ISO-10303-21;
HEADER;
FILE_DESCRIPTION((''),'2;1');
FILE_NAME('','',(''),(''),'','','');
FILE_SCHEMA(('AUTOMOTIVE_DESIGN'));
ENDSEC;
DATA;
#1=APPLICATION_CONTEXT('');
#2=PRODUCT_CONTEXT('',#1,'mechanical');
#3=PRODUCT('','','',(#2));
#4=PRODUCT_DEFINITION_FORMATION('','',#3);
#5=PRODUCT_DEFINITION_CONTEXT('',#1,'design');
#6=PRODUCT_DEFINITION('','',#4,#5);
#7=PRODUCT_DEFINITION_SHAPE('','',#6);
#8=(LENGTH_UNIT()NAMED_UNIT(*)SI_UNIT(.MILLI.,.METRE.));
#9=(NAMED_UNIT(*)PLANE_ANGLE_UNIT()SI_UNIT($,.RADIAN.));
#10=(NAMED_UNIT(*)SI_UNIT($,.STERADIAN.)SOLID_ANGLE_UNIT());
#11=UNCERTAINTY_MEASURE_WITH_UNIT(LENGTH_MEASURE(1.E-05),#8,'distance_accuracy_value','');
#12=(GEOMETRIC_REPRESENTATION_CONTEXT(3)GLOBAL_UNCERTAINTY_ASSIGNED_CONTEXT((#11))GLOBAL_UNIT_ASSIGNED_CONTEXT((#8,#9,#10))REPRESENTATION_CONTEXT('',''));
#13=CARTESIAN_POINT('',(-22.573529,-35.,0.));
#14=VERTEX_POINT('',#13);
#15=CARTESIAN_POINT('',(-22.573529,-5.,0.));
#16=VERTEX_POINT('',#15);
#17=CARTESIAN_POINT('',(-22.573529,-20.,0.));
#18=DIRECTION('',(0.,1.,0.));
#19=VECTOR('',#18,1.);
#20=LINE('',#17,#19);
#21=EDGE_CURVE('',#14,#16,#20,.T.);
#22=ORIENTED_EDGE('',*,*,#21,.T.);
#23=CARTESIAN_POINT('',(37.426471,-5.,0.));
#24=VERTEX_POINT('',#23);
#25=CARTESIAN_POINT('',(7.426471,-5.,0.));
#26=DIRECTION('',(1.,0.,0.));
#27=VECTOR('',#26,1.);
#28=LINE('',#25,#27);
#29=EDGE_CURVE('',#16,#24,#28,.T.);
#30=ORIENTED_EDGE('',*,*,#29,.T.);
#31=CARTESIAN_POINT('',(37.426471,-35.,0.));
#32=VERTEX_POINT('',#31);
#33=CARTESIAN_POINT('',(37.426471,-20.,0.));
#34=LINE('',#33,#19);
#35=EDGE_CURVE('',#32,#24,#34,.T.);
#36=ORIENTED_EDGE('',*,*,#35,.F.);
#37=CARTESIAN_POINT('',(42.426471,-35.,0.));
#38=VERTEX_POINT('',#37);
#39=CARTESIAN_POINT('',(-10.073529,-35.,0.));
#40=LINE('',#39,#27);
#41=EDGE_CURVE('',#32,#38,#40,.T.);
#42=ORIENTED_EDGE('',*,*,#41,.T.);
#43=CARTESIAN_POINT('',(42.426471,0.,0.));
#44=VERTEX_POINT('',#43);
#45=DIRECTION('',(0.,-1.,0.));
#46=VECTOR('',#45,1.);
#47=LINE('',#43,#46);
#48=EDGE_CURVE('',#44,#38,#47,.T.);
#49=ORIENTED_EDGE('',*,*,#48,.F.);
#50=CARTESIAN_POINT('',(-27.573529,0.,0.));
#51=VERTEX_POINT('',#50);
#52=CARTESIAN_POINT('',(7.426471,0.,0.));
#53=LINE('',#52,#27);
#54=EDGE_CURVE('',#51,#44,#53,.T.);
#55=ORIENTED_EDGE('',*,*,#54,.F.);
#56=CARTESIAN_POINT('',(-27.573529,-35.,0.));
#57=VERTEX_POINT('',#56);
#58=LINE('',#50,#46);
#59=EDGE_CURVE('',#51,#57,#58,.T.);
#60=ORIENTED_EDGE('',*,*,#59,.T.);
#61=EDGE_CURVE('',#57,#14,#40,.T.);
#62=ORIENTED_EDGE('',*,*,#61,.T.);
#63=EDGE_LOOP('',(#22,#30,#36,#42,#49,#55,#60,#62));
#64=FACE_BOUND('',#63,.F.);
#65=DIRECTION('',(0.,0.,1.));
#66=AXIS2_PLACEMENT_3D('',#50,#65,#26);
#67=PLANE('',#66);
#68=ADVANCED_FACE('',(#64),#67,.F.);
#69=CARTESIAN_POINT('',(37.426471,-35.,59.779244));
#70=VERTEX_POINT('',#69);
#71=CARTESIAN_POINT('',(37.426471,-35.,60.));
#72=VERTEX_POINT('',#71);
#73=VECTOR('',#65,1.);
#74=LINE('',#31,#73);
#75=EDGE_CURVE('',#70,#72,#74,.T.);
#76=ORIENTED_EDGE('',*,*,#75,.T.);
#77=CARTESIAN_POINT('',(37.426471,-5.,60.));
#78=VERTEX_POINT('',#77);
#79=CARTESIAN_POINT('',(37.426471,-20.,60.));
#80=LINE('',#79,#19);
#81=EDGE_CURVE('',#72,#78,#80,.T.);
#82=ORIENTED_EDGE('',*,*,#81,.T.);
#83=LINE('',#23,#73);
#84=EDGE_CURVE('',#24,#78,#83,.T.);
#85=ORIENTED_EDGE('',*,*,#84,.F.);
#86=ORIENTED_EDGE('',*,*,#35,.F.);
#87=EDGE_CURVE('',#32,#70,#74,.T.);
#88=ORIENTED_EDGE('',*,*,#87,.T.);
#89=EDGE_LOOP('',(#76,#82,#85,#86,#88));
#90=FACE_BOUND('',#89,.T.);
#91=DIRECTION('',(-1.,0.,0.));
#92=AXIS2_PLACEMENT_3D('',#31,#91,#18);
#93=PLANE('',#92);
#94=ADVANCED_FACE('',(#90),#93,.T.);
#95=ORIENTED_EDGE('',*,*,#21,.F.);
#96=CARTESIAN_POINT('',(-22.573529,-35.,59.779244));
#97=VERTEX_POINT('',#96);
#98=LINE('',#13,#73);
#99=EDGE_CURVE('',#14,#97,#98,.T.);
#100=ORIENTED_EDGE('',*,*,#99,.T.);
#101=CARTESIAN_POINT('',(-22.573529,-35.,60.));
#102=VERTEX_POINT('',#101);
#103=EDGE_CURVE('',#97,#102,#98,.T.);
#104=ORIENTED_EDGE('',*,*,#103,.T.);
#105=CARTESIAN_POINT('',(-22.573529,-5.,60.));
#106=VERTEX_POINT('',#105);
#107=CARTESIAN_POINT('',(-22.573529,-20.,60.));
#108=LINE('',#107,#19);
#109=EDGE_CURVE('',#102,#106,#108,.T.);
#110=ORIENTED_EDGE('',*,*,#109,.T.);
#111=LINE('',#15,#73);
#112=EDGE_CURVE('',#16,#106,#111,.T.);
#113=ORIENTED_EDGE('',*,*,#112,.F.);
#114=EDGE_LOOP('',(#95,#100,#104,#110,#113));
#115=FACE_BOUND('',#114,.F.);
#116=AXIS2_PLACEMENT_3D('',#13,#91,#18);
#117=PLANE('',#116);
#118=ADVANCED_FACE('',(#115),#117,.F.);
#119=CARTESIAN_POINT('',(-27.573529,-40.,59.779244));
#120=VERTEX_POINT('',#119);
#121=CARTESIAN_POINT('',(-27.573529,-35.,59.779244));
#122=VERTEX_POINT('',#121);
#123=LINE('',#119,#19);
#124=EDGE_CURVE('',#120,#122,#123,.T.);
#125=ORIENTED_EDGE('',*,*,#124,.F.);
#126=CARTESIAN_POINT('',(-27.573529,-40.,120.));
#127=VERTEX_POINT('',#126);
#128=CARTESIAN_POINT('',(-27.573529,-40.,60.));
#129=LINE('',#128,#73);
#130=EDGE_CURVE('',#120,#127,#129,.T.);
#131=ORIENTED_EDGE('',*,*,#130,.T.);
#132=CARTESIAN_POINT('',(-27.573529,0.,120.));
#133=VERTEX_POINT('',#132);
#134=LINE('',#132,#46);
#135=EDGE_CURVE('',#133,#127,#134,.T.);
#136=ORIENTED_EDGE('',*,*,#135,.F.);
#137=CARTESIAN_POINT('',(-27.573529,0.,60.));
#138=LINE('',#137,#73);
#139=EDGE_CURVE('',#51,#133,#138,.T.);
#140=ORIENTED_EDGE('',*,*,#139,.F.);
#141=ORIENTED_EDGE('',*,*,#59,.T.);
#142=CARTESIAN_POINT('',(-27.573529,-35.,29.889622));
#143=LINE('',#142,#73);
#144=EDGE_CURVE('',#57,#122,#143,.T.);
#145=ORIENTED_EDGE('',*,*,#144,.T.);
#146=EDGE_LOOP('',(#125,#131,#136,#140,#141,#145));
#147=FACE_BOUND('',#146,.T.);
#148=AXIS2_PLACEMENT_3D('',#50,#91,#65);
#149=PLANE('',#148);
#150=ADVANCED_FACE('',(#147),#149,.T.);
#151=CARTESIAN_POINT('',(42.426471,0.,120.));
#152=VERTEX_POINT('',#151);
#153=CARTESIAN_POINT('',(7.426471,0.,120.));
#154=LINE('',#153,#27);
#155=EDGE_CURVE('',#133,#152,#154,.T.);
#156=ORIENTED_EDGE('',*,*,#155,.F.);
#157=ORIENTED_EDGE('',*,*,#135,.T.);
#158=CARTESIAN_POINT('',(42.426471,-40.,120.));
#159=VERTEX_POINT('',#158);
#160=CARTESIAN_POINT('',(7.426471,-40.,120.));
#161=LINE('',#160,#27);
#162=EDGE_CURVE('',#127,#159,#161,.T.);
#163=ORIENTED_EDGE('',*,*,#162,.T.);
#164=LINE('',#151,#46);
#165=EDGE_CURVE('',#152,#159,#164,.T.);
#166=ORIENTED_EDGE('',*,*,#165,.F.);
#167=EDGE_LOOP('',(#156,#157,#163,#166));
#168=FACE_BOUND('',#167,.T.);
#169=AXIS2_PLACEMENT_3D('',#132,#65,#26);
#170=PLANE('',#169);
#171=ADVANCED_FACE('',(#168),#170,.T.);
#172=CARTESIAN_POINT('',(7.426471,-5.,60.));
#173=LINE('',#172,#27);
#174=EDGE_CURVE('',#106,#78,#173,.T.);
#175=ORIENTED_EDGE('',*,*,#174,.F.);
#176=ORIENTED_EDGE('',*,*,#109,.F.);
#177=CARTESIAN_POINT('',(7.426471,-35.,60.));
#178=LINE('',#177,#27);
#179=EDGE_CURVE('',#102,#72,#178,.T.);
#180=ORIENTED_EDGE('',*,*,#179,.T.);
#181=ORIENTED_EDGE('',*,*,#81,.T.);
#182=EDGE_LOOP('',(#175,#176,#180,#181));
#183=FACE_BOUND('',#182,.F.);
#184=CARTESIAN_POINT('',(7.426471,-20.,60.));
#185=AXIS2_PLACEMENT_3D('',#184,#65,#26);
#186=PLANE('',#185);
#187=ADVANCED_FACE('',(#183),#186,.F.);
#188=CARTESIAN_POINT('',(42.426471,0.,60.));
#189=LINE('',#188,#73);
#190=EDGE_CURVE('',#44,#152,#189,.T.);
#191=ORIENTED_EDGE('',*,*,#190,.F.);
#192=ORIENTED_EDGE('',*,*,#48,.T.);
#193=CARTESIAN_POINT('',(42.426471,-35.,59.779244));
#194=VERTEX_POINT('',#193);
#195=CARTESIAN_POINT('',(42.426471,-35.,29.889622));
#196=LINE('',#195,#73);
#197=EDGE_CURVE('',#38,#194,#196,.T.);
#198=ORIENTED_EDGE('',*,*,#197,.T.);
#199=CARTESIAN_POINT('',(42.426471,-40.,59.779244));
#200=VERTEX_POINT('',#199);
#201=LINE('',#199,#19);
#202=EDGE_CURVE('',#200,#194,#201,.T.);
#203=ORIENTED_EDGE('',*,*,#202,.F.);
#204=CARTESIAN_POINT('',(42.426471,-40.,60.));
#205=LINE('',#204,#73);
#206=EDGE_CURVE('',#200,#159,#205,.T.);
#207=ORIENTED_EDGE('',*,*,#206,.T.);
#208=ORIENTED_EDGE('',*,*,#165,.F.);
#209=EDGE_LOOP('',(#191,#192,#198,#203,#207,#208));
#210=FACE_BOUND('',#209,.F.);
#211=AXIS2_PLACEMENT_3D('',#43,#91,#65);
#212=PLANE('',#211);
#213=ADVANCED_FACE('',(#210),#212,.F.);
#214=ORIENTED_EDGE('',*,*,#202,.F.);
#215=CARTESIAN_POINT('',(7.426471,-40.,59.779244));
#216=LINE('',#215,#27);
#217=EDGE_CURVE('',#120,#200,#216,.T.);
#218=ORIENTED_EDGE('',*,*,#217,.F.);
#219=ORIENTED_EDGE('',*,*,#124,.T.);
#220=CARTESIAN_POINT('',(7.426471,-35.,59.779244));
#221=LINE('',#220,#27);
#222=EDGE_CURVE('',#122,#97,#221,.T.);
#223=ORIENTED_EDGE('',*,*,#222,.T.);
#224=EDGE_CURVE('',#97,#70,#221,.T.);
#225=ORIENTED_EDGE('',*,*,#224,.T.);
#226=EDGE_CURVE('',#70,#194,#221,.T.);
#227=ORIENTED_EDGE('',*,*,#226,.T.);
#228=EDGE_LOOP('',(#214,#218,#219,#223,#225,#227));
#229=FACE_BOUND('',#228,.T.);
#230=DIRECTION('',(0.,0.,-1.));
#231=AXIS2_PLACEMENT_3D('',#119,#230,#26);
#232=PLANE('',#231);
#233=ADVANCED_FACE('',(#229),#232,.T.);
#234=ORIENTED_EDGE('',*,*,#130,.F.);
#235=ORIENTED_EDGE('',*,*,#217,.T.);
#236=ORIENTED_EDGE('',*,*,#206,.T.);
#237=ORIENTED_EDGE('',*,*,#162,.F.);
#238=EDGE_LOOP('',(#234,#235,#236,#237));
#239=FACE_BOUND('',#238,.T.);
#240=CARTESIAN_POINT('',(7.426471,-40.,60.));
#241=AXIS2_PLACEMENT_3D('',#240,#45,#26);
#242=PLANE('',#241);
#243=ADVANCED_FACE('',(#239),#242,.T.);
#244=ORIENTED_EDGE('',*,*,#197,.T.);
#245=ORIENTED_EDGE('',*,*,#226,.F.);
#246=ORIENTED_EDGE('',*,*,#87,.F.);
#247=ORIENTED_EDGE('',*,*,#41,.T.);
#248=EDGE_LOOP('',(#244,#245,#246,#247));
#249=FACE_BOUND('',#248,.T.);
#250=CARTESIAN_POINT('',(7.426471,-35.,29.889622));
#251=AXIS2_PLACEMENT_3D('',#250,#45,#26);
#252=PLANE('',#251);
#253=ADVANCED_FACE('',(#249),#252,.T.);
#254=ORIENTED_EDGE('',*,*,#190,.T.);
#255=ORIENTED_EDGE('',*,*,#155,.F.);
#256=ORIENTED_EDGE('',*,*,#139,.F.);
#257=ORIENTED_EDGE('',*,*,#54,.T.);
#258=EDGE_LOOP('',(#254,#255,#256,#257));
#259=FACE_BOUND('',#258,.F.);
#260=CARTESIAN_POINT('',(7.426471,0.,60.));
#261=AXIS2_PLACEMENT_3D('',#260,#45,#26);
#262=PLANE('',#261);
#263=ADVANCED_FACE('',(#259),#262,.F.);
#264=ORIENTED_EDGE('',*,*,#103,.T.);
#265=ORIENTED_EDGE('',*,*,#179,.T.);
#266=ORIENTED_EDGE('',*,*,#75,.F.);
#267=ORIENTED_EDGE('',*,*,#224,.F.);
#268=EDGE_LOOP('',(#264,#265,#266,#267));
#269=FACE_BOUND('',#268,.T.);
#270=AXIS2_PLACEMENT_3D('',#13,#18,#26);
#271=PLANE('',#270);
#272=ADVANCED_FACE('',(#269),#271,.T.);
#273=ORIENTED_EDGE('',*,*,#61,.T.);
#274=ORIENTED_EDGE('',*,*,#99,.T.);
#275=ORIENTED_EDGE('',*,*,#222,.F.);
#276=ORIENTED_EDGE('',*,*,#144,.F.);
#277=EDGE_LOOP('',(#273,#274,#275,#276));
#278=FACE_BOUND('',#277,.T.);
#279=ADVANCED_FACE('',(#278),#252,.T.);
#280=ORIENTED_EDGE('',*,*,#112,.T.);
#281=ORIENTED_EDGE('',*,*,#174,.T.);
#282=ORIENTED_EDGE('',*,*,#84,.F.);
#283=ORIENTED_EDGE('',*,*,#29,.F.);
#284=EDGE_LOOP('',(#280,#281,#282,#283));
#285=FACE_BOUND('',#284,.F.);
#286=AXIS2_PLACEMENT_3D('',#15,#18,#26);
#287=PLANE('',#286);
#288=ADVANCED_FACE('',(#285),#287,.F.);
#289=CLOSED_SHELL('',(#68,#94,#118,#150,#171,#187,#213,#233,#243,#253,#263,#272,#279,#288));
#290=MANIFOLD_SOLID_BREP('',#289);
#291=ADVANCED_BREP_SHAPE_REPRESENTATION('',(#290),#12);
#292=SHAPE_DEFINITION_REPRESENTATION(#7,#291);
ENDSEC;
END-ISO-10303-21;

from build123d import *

# Parameters (mm, degrees)
F0_W     = 70
F0_H     = 120
F1_DEPTH = 40
F2_W     = 60
F2_H     = 30
F3_DEPTH = 60
F4_W     = 70
F4_H     = 59.779245
F5_DEPTH = 5


with BuildPart() as f1:
    # F0 (on Front) → F1 (new body)
    with BuildSketch(Plane.XZ):
        with Locations((7.426471, 60)):
            Rectangle(F0_W, F0_H)
    extrude(amount=F1_DEPTH)

    # F2 (on Top) → F3 (cut)
    with BuildSketch(Plane.XY):
        with Locations((7.426471, -20)):
            Rectangle(F2_W, F2_H)
    extrude(amount=F3_DEPTH, mode=Mode.SUBTRACT)

    # F4 (on face) → F5 (cut)
    with BuildSketch(Plane.XZ.offset(40)):
        with Locations((7.426471, 29.889622)):
            Rectangle(F4_W, F4_H)
    extrude(amount=-F5_DEPTH, mode=Mode.SUBTRACT)


solid = f1.part
